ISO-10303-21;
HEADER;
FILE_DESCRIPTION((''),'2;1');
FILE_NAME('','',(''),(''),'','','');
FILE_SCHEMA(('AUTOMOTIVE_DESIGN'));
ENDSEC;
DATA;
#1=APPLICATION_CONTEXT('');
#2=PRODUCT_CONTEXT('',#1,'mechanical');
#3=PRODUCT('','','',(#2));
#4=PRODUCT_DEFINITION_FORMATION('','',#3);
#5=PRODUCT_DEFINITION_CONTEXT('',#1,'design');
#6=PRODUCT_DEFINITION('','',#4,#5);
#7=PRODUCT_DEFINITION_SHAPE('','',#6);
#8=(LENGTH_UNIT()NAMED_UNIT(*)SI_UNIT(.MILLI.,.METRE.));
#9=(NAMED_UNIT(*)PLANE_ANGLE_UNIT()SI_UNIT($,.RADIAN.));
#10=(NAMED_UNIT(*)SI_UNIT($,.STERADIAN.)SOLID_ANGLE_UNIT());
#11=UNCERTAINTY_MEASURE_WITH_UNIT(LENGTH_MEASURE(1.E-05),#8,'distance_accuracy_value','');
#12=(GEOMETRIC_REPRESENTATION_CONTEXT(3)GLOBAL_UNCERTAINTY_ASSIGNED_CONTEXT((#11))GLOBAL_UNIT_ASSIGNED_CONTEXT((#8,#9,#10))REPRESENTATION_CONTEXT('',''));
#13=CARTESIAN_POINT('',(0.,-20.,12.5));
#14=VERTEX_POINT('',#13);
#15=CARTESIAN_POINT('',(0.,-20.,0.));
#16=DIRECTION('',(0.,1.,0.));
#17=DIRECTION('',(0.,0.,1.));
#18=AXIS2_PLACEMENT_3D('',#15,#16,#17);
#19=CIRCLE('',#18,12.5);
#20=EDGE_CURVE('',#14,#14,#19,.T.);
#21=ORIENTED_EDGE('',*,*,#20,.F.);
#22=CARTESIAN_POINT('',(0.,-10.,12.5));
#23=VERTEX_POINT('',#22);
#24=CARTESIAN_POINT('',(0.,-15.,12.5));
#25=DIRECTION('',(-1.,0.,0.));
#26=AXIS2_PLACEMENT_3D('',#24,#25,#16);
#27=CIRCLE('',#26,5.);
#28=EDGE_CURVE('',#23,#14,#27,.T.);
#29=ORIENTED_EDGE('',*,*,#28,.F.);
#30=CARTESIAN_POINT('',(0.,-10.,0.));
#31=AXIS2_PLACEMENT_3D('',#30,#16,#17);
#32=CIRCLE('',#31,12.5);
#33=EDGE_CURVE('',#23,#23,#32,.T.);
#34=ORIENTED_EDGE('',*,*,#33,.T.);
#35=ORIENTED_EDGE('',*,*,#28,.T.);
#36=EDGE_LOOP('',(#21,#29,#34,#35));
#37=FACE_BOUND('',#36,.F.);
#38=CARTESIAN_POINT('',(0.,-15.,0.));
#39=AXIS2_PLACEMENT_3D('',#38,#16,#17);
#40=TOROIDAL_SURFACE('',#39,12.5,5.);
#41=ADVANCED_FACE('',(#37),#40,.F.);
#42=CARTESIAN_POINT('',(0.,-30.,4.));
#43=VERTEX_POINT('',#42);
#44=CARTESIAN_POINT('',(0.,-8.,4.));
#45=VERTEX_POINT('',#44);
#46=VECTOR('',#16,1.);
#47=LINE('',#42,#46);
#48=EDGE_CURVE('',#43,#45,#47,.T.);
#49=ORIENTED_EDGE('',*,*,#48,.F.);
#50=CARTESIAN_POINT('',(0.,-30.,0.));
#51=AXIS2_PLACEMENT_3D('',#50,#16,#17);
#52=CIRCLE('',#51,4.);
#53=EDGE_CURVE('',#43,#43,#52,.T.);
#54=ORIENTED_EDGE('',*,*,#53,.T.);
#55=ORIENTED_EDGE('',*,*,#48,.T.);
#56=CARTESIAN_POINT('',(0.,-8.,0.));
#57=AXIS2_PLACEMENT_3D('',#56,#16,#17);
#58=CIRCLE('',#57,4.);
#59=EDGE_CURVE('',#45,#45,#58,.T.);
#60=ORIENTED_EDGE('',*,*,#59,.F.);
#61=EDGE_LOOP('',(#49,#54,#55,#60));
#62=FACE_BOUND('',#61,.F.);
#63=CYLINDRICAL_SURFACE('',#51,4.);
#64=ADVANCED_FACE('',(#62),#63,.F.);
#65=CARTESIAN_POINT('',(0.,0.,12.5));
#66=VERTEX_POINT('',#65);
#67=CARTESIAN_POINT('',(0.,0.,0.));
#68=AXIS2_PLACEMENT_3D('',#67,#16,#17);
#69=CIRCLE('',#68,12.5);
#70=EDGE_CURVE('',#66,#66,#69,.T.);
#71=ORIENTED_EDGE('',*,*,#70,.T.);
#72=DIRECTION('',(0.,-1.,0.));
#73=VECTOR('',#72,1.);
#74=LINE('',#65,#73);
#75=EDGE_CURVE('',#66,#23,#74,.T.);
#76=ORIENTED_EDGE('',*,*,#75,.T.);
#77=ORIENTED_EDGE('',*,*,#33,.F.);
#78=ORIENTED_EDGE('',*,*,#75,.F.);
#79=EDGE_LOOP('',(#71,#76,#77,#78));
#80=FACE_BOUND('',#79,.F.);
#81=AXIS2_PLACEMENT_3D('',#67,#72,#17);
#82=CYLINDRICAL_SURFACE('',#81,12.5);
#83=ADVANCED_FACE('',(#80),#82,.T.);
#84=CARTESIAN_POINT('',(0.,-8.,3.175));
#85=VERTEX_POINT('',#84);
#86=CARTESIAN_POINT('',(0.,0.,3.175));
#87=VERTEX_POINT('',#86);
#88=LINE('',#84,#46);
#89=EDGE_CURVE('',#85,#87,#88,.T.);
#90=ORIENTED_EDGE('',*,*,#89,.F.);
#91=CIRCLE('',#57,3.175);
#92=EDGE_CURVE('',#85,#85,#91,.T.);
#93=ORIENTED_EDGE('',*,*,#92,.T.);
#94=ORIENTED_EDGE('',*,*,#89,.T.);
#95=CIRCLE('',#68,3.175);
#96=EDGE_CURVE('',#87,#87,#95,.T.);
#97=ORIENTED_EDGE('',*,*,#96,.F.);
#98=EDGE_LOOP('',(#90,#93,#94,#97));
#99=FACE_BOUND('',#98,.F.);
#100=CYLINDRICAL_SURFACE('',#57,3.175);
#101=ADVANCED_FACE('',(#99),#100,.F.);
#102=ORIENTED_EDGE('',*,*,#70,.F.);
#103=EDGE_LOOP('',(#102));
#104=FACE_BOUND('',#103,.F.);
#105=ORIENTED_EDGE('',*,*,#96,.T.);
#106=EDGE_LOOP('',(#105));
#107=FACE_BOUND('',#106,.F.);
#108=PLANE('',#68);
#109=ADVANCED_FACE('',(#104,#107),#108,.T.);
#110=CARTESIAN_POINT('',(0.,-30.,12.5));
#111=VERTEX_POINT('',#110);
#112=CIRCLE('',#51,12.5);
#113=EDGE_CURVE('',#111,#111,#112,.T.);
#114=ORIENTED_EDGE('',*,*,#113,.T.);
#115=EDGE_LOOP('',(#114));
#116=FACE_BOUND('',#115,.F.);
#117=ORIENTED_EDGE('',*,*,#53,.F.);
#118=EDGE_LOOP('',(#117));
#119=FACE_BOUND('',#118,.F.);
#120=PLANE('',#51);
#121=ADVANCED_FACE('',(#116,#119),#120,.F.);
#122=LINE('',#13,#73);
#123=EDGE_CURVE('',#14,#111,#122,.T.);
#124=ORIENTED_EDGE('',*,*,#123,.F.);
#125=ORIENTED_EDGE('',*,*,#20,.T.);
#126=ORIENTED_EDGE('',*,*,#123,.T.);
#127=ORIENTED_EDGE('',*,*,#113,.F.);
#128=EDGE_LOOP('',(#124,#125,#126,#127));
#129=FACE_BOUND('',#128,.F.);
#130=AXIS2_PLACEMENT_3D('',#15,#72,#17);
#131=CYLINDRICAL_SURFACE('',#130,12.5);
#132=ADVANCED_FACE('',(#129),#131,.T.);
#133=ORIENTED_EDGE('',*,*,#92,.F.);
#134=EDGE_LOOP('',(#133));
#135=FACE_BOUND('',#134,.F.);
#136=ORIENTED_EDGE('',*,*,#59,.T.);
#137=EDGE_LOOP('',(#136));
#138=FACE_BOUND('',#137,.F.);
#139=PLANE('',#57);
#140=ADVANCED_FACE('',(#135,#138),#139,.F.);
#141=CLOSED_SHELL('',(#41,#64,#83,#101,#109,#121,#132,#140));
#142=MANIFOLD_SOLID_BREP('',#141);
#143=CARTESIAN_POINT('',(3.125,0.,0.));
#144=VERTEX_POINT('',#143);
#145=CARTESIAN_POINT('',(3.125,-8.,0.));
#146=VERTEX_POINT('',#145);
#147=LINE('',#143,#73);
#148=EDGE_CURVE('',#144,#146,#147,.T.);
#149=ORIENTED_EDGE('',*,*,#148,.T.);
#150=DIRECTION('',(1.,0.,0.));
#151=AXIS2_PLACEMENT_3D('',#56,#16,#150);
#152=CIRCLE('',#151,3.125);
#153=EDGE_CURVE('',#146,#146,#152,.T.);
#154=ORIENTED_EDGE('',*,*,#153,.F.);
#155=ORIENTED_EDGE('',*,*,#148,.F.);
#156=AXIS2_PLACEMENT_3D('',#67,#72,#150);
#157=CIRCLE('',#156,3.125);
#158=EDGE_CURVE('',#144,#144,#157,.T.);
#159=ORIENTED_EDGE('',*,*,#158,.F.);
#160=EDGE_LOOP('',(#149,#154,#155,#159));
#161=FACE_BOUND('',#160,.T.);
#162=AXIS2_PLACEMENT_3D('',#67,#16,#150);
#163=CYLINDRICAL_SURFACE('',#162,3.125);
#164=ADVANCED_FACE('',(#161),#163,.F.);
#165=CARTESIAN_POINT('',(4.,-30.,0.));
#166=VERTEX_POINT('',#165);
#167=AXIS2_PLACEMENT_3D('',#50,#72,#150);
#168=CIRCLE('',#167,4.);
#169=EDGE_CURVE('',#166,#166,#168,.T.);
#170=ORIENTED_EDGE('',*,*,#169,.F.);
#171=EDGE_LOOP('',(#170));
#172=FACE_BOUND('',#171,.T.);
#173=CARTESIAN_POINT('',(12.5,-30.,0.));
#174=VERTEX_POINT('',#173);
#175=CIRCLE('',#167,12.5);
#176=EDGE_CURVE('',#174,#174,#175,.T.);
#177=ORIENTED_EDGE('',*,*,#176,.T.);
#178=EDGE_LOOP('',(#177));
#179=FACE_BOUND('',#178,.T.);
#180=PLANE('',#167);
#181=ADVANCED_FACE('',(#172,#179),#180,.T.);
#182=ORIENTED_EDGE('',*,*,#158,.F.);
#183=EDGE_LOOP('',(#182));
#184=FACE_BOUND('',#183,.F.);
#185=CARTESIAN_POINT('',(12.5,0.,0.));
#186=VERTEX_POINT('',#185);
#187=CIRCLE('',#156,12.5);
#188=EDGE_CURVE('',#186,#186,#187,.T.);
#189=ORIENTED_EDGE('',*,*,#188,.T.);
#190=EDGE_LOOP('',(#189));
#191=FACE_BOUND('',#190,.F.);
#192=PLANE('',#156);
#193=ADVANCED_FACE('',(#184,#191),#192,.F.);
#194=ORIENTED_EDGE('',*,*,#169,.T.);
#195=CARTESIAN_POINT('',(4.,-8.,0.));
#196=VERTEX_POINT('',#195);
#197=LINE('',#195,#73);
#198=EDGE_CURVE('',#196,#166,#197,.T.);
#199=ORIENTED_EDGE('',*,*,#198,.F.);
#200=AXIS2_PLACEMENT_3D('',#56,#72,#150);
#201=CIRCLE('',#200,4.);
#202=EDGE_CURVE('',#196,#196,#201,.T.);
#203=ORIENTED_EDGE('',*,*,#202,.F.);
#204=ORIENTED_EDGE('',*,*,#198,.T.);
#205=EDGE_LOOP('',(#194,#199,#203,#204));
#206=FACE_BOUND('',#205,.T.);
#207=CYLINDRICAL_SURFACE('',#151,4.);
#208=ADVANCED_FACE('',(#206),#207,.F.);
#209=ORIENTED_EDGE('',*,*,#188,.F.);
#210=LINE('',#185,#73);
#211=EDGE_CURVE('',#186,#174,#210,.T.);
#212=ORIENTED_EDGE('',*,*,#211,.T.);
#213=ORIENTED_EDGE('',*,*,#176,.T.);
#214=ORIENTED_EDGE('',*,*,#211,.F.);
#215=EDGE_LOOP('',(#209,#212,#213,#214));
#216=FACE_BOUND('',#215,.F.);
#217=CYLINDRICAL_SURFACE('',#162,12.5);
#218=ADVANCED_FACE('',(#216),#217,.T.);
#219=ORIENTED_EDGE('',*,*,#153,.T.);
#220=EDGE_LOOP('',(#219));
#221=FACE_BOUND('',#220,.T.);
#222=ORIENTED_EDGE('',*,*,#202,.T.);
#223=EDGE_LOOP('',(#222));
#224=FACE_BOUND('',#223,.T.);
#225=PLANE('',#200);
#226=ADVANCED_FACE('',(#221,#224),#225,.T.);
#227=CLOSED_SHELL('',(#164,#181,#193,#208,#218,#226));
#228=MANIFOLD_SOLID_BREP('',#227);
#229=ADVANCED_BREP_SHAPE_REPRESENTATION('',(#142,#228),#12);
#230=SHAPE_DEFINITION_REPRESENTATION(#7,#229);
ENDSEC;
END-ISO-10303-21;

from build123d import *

# Parameters (mm, degrees)
F0_R     = 12.5
F0_R_2   = 3.125
F1_DEPTH = 30
F3_R     = 4
F4_DEPTH = 22


with BuildPart() as f1:
    # F0 (on Front) → F1 (new body)
    with BuildSketch(Plane.XZ):
        Circle(F0_R)
        Circle(F0_R_2, mode=Mode.SUBTRACT)
    extrude(amount=F1_DEPTH)

    # F3 (on offset) → F4 (cut, through all)
    with BuildSketch(Plane.XZ.offset(8)):
        Circle(F3_R)
    extrude(amount=F4_DEPTH, mode=Mode.SUBTRACT)


with BuildPart() as f6:
    # F5 (on Right) → F6 (revolve)
    with BuildSketch(Plane.YZ):
        with BuildLine():
            Line((-20, 12.5), (-30, 12.5))
            Line((-30, 12.5), (-30, 4))
            Line((-30, 4), (-8, 4))
            Line((-8, 4), (-8, 3.175))
            Line((-8, 3.175), (0, 3.175))
            Line((0, 3.175), (0, 12.5))
            Line((0, 12.5), (-10, 12.5))
            ThreePointArc((-10, 12.5), (-15, 7.5), (-20, 12.5))
        make_face()
    revolve(axis=Axis((0, -15.032032, 0), (0, 1, 0)))


solid = Compound([f1.part, f6.part])
